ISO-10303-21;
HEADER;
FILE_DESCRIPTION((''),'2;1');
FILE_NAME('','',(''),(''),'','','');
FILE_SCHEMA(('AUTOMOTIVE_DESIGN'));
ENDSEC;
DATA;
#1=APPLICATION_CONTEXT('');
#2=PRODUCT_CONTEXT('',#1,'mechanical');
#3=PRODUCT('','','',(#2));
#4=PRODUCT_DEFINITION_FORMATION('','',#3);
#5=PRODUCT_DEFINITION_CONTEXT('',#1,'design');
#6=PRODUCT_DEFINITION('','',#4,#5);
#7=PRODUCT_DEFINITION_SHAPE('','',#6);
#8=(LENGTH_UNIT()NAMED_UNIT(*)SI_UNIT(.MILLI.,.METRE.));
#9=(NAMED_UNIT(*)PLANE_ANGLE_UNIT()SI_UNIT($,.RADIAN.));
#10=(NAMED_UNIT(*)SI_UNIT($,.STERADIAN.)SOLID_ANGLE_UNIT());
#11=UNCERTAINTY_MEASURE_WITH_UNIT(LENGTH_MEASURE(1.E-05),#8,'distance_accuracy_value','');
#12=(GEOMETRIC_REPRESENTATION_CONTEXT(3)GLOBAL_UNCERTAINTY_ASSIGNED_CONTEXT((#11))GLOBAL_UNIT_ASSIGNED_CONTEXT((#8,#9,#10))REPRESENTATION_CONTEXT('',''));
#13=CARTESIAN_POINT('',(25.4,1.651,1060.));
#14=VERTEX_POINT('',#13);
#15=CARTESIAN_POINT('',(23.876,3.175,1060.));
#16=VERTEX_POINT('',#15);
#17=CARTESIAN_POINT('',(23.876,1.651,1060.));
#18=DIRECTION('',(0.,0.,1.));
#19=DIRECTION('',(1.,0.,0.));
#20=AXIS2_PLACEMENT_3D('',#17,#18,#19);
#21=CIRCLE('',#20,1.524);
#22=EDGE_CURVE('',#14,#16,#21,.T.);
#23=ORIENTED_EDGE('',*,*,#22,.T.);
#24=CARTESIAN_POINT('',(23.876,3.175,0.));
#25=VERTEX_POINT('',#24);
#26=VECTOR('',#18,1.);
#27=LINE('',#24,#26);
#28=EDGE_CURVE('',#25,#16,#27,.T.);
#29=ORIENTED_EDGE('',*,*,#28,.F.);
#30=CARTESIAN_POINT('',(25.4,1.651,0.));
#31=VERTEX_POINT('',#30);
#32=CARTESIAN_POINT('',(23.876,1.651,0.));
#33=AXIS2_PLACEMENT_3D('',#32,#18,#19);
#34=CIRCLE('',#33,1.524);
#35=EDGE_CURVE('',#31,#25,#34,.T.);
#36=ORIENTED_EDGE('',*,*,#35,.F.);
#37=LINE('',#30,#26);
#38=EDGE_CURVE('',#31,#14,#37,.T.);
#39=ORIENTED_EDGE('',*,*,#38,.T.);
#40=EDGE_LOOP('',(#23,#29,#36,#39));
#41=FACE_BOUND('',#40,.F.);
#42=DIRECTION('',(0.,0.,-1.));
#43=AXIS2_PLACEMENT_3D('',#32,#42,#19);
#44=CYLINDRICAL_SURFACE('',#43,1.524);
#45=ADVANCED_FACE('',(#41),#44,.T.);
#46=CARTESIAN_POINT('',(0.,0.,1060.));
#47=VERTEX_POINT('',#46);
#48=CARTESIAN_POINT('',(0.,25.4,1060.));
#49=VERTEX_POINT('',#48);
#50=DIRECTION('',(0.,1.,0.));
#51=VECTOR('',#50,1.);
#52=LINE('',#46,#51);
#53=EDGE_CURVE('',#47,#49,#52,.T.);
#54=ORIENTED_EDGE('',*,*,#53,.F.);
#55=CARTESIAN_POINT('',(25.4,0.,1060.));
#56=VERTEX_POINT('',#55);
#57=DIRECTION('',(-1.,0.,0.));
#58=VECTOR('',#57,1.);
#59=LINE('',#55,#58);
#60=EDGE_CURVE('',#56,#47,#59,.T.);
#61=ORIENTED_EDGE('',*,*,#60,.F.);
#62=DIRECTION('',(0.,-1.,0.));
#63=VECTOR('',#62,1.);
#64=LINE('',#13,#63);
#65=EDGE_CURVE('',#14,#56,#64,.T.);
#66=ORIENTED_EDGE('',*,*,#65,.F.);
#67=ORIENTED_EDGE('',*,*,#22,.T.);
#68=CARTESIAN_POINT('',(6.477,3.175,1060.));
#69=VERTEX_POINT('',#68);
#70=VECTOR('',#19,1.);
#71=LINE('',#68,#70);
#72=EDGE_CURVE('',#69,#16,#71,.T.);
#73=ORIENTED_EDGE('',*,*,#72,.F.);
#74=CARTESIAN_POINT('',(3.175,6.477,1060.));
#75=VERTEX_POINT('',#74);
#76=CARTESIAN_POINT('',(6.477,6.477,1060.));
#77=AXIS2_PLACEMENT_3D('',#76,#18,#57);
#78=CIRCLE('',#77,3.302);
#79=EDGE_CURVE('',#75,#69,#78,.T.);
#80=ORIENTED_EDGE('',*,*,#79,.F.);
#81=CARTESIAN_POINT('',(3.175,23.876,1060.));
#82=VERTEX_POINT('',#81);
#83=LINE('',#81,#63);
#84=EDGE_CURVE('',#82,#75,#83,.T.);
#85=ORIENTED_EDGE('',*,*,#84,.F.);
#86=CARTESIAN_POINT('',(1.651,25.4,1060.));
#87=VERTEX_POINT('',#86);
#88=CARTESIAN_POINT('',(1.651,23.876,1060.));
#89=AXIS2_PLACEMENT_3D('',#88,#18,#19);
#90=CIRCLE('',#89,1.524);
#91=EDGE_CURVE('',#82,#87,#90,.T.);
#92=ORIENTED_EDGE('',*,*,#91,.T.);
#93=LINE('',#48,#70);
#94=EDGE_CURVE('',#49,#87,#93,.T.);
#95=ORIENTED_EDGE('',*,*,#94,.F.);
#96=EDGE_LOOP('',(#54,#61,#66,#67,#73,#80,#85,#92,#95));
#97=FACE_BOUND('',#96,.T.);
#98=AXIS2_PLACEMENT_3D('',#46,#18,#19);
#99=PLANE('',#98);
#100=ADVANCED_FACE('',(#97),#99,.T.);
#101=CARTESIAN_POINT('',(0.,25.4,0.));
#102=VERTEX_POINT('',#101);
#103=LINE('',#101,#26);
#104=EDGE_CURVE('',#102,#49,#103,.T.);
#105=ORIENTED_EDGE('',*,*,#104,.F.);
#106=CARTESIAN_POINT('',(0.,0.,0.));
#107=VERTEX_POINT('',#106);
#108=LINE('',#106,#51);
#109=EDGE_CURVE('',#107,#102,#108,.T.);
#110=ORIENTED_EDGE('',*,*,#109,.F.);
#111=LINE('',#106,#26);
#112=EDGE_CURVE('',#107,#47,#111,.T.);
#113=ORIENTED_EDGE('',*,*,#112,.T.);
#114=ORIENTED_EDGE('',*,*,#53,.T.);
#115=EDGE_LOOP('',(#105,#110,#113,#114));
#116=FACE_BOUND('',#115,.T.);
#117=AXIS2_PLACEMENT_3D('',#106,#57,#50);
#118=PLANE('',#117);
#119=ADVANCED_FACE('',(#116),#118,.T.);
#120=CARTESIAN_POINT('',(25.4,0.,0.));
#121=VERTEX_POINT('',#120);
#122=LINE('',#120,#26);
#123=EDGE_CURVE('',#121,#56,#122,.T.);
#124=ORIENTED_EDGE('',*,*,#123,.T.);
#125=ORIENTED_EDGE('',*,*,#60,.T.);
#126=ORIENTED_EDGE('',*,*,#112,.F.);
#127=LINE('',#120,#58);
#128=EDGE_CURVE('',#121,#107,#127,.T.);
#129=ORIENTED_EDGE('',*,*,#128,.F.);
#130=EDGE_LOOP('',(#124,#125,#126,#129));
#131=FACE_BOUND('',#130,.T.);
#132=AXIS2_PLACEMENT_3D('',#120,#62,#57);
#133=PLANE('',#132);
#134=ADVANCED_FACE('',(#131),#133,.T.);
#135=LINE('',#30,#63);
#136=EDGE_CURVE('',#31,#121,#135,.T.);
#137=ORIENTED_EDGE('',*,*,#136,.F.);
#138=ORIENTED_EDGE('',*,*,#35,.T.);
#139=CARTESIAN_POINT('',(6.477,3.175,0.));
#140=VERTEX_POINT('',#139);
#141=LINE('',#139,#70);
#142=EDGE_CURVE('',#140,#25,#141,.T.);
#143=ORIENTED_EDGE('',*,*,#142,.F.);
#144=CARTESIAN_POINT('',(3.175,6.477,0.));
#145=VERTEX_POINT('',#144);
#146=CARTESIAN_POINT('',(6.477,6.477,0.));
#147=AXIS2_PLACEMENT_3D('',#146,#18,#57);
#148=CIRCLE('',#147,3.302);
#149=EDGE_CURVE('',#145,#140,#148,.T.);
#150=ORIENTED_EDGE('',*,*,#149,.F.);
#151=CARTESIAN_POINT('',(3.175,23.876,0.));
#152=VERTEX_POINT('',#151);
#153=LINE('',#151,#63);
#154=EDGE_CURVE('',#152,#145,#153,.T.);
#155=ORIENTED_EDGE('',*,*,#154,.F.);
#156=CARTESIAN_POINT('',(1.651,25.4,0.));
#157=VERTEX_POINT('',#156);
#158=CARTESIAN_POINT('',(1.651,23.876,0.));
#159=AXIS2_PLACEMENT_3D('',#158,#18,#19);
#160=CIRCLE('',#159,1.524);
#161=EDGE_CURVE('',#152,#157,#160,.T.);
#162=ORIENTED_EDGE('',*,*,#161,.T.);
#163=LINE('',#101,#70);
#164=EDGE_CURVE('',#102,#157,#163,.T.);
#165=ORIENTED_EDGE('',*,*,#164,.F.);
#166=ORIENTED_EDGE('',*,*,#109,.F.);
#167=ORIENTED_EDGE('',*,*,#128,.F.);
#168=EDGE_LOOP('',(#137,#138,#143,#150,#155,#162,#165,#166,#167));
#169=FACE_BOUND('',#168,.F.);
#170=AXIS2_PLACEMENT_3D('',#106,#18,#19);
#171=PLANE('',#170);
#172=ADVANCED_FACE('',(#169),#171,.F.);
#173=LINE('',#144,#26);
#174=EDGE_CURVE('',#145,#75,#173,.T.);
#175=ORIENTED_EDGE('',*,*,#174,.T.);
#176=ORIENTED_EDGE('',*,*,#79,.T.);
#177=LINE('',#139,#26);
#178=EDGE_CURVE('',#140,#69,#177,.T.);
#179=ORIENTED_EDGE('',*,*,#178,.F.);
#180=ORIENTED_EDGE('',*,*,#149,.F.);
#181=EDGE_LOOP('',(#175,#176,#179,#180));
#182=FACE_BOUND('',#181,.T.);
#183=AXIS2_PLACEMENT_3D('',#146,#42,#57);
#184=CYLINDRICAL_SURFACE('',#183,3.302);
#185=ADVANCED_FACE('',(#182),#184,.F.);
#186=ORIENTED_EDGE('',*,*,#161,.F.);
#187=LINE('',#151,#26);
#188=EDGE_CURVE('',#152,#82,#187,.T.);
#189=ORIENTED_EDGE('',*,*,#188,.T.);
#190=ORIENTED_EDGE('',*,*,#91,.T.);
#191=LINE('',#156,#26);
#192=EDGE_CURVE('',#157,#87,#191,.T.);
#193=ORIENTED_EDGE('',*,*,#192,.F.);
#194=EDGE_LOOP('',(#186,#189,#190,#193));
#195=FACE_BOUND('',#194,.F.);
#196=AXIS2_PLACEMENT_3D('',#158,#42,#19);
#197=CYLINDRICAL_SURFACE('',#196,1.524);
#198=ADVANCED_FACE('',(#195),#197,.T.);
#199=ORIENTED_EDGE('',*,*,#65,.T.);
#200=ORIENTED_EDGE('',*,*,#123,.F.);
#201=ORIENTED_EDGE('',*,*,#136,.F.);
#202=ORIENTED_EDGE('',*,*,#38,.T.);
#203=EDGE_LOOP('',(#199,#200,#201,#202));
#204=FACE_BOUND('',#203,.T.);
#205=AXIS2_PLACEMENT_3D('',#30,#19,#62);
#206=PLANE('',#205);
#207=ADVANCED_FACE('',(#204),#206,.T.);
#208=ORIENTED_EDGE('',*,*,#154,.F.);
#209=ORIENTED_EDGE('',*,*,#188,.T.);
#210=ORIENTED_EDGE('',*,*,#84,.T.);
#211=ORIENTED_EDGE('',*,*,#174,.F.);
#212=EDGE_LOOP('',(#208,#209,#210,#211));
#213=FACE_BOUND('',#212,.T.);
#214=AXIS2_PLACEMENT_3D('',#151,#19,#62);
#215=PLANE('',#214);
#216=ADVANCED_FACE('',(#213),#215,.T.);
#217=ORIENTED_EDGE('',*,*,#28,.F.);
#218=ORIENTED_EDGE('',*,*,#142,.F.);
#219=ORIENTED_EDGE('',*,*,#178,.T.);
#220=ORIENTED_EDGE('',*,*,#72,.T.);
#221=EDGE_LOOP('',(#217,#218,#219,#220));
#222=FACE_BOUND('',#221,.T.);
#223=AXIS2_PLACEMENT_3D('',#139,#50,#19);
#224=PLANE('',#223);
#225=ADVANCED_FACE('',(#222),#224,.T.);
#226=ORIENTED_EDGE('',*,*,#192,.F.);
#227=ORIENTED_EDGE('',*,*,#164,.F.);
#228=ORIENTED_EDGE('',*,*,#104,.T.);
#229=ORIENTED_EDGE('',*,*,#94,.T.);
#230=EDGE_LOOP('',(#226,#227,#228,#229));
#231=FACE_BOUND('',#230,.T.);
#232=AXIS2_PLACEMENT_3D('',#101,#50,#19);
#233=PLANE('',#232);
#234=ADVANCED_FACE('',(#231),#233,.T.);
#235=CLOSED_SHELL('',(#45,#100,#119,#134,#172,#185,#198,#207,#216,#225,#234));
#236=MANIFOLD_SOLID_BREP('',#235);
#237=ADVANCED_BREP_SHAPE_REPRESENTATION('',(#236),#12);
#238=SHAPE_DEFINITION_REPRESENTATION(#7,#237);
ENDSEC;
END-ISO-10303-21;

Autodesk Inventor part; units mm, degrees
ref_plane "YZ Plane" through (0, 0, 0) normal (1, 0, 0) x (0, 1, 0)
ref_plane "Start Plane" through (0, 0, 0) normal (0, 0, 1) x (1, 0, 0)
ref_plane "End Plane" through (0, 0, 1060) normal (0, 0, 1) x (1, 0, 0)
sketch "Sketch" plane through (0, 0, 0) normal (0, 0, 1) x (1, 0, 0)
  line L0 (25.4, 0) -> (0, 0)
  line L1 (0, 0) -> (0, 25.4)
  line L2 (0, 25.4) -> (1.651, 25.4)
  line L3 (3.175, 23.876) -> (3.175, 6.477)
  line L4 (6.477, 3.175) -> (23.876, 3.175)
  line L5 (25.4, 1.651) -> (25.4, 0)
  line L6 (0, -11.0414) -> (0, 31.5385) construction
  line L7 (-11.0414, 0) -> (31.5385, 0) construction
  arc A0 (3.175, 6.477) -> (6.477, 3.175) centre (6.477, 6.477) ccw
  arc A1 (3.175, 23.876) -> (1.651, 25.4) centre (1.651, 23.876) ccw
  arc A2 (25.4, 1.651) -> (23.876, 3.175) centre (23.876, 1.651) ccw
  line L8 (0, 40.0545) -> (0, -19.5574) construction
  line L9 (-19.5574, 0) -> (40.0545, 0) construction
  point P0 (3.175, 25.4)
  point P1 (3.175, 3.175)
  point P2 (25.4, 3.175)
  dimension "d0" = 25.4
  dimension "d1" = 25.4
  dimension "d2" = 3.175
  dimension "d3" = 3.175
  dimension "d10" = 0
  dimension "d11" = 0
  dimension "d14" = 3.302
  dimension "d15" = 1.524
extrude "Body" add sketch "Sketch" along normal up to surface (1060 mm away) from surface at 0
sketch "Sketch3" plane through (0, 0, 0) normal (0, 0, 1) x (1, 0, 0)
  line L0 (0, 0) -> (10, 0)
ref_plane "Work Plane3" through (0, 0, 0) normal (0, -1, 0) x (1, 0, 0)
sketch "Sketch4" plane through (0, 0, 0) normal (0, -1, 0) x (1, 0, 0)
  line L0 (-2, 0) -> (12, 0) projected
  line L1 (-2, 1060) -> (12, 1060) projected
  dimension "d17" = 1060
equation "\"d0\" = G_H"
equation "\"d1\" = G_H"
equation "\"d2\" = G_T"
equation "\"d3\" = G_T"
equation "\"d14\" = G_IR"
equation "\"d15\" = G_ER"
equation "\"d4\" = G_L"
equation "\"G_H\" = 25.4"
equation "\"G_T\" = 3.175"
equation "\"G_ER\" = 1.524"
equation "\"G_IR\" = 3.302"
equation "\"G_L\" = d17"
equation "\"ex\" = 0"
equation "\"G_OFFSET_START\" = 0"
equation "\"G_OFFSET_END\" = 0"
equation "\"d13\" = G_OFFSET_END + B_L"
equation "\"B_L\" = 1060"
properties part number "AISC - L 1 x 1 x 1/8 - 41.732" material "Steel, Mild"
